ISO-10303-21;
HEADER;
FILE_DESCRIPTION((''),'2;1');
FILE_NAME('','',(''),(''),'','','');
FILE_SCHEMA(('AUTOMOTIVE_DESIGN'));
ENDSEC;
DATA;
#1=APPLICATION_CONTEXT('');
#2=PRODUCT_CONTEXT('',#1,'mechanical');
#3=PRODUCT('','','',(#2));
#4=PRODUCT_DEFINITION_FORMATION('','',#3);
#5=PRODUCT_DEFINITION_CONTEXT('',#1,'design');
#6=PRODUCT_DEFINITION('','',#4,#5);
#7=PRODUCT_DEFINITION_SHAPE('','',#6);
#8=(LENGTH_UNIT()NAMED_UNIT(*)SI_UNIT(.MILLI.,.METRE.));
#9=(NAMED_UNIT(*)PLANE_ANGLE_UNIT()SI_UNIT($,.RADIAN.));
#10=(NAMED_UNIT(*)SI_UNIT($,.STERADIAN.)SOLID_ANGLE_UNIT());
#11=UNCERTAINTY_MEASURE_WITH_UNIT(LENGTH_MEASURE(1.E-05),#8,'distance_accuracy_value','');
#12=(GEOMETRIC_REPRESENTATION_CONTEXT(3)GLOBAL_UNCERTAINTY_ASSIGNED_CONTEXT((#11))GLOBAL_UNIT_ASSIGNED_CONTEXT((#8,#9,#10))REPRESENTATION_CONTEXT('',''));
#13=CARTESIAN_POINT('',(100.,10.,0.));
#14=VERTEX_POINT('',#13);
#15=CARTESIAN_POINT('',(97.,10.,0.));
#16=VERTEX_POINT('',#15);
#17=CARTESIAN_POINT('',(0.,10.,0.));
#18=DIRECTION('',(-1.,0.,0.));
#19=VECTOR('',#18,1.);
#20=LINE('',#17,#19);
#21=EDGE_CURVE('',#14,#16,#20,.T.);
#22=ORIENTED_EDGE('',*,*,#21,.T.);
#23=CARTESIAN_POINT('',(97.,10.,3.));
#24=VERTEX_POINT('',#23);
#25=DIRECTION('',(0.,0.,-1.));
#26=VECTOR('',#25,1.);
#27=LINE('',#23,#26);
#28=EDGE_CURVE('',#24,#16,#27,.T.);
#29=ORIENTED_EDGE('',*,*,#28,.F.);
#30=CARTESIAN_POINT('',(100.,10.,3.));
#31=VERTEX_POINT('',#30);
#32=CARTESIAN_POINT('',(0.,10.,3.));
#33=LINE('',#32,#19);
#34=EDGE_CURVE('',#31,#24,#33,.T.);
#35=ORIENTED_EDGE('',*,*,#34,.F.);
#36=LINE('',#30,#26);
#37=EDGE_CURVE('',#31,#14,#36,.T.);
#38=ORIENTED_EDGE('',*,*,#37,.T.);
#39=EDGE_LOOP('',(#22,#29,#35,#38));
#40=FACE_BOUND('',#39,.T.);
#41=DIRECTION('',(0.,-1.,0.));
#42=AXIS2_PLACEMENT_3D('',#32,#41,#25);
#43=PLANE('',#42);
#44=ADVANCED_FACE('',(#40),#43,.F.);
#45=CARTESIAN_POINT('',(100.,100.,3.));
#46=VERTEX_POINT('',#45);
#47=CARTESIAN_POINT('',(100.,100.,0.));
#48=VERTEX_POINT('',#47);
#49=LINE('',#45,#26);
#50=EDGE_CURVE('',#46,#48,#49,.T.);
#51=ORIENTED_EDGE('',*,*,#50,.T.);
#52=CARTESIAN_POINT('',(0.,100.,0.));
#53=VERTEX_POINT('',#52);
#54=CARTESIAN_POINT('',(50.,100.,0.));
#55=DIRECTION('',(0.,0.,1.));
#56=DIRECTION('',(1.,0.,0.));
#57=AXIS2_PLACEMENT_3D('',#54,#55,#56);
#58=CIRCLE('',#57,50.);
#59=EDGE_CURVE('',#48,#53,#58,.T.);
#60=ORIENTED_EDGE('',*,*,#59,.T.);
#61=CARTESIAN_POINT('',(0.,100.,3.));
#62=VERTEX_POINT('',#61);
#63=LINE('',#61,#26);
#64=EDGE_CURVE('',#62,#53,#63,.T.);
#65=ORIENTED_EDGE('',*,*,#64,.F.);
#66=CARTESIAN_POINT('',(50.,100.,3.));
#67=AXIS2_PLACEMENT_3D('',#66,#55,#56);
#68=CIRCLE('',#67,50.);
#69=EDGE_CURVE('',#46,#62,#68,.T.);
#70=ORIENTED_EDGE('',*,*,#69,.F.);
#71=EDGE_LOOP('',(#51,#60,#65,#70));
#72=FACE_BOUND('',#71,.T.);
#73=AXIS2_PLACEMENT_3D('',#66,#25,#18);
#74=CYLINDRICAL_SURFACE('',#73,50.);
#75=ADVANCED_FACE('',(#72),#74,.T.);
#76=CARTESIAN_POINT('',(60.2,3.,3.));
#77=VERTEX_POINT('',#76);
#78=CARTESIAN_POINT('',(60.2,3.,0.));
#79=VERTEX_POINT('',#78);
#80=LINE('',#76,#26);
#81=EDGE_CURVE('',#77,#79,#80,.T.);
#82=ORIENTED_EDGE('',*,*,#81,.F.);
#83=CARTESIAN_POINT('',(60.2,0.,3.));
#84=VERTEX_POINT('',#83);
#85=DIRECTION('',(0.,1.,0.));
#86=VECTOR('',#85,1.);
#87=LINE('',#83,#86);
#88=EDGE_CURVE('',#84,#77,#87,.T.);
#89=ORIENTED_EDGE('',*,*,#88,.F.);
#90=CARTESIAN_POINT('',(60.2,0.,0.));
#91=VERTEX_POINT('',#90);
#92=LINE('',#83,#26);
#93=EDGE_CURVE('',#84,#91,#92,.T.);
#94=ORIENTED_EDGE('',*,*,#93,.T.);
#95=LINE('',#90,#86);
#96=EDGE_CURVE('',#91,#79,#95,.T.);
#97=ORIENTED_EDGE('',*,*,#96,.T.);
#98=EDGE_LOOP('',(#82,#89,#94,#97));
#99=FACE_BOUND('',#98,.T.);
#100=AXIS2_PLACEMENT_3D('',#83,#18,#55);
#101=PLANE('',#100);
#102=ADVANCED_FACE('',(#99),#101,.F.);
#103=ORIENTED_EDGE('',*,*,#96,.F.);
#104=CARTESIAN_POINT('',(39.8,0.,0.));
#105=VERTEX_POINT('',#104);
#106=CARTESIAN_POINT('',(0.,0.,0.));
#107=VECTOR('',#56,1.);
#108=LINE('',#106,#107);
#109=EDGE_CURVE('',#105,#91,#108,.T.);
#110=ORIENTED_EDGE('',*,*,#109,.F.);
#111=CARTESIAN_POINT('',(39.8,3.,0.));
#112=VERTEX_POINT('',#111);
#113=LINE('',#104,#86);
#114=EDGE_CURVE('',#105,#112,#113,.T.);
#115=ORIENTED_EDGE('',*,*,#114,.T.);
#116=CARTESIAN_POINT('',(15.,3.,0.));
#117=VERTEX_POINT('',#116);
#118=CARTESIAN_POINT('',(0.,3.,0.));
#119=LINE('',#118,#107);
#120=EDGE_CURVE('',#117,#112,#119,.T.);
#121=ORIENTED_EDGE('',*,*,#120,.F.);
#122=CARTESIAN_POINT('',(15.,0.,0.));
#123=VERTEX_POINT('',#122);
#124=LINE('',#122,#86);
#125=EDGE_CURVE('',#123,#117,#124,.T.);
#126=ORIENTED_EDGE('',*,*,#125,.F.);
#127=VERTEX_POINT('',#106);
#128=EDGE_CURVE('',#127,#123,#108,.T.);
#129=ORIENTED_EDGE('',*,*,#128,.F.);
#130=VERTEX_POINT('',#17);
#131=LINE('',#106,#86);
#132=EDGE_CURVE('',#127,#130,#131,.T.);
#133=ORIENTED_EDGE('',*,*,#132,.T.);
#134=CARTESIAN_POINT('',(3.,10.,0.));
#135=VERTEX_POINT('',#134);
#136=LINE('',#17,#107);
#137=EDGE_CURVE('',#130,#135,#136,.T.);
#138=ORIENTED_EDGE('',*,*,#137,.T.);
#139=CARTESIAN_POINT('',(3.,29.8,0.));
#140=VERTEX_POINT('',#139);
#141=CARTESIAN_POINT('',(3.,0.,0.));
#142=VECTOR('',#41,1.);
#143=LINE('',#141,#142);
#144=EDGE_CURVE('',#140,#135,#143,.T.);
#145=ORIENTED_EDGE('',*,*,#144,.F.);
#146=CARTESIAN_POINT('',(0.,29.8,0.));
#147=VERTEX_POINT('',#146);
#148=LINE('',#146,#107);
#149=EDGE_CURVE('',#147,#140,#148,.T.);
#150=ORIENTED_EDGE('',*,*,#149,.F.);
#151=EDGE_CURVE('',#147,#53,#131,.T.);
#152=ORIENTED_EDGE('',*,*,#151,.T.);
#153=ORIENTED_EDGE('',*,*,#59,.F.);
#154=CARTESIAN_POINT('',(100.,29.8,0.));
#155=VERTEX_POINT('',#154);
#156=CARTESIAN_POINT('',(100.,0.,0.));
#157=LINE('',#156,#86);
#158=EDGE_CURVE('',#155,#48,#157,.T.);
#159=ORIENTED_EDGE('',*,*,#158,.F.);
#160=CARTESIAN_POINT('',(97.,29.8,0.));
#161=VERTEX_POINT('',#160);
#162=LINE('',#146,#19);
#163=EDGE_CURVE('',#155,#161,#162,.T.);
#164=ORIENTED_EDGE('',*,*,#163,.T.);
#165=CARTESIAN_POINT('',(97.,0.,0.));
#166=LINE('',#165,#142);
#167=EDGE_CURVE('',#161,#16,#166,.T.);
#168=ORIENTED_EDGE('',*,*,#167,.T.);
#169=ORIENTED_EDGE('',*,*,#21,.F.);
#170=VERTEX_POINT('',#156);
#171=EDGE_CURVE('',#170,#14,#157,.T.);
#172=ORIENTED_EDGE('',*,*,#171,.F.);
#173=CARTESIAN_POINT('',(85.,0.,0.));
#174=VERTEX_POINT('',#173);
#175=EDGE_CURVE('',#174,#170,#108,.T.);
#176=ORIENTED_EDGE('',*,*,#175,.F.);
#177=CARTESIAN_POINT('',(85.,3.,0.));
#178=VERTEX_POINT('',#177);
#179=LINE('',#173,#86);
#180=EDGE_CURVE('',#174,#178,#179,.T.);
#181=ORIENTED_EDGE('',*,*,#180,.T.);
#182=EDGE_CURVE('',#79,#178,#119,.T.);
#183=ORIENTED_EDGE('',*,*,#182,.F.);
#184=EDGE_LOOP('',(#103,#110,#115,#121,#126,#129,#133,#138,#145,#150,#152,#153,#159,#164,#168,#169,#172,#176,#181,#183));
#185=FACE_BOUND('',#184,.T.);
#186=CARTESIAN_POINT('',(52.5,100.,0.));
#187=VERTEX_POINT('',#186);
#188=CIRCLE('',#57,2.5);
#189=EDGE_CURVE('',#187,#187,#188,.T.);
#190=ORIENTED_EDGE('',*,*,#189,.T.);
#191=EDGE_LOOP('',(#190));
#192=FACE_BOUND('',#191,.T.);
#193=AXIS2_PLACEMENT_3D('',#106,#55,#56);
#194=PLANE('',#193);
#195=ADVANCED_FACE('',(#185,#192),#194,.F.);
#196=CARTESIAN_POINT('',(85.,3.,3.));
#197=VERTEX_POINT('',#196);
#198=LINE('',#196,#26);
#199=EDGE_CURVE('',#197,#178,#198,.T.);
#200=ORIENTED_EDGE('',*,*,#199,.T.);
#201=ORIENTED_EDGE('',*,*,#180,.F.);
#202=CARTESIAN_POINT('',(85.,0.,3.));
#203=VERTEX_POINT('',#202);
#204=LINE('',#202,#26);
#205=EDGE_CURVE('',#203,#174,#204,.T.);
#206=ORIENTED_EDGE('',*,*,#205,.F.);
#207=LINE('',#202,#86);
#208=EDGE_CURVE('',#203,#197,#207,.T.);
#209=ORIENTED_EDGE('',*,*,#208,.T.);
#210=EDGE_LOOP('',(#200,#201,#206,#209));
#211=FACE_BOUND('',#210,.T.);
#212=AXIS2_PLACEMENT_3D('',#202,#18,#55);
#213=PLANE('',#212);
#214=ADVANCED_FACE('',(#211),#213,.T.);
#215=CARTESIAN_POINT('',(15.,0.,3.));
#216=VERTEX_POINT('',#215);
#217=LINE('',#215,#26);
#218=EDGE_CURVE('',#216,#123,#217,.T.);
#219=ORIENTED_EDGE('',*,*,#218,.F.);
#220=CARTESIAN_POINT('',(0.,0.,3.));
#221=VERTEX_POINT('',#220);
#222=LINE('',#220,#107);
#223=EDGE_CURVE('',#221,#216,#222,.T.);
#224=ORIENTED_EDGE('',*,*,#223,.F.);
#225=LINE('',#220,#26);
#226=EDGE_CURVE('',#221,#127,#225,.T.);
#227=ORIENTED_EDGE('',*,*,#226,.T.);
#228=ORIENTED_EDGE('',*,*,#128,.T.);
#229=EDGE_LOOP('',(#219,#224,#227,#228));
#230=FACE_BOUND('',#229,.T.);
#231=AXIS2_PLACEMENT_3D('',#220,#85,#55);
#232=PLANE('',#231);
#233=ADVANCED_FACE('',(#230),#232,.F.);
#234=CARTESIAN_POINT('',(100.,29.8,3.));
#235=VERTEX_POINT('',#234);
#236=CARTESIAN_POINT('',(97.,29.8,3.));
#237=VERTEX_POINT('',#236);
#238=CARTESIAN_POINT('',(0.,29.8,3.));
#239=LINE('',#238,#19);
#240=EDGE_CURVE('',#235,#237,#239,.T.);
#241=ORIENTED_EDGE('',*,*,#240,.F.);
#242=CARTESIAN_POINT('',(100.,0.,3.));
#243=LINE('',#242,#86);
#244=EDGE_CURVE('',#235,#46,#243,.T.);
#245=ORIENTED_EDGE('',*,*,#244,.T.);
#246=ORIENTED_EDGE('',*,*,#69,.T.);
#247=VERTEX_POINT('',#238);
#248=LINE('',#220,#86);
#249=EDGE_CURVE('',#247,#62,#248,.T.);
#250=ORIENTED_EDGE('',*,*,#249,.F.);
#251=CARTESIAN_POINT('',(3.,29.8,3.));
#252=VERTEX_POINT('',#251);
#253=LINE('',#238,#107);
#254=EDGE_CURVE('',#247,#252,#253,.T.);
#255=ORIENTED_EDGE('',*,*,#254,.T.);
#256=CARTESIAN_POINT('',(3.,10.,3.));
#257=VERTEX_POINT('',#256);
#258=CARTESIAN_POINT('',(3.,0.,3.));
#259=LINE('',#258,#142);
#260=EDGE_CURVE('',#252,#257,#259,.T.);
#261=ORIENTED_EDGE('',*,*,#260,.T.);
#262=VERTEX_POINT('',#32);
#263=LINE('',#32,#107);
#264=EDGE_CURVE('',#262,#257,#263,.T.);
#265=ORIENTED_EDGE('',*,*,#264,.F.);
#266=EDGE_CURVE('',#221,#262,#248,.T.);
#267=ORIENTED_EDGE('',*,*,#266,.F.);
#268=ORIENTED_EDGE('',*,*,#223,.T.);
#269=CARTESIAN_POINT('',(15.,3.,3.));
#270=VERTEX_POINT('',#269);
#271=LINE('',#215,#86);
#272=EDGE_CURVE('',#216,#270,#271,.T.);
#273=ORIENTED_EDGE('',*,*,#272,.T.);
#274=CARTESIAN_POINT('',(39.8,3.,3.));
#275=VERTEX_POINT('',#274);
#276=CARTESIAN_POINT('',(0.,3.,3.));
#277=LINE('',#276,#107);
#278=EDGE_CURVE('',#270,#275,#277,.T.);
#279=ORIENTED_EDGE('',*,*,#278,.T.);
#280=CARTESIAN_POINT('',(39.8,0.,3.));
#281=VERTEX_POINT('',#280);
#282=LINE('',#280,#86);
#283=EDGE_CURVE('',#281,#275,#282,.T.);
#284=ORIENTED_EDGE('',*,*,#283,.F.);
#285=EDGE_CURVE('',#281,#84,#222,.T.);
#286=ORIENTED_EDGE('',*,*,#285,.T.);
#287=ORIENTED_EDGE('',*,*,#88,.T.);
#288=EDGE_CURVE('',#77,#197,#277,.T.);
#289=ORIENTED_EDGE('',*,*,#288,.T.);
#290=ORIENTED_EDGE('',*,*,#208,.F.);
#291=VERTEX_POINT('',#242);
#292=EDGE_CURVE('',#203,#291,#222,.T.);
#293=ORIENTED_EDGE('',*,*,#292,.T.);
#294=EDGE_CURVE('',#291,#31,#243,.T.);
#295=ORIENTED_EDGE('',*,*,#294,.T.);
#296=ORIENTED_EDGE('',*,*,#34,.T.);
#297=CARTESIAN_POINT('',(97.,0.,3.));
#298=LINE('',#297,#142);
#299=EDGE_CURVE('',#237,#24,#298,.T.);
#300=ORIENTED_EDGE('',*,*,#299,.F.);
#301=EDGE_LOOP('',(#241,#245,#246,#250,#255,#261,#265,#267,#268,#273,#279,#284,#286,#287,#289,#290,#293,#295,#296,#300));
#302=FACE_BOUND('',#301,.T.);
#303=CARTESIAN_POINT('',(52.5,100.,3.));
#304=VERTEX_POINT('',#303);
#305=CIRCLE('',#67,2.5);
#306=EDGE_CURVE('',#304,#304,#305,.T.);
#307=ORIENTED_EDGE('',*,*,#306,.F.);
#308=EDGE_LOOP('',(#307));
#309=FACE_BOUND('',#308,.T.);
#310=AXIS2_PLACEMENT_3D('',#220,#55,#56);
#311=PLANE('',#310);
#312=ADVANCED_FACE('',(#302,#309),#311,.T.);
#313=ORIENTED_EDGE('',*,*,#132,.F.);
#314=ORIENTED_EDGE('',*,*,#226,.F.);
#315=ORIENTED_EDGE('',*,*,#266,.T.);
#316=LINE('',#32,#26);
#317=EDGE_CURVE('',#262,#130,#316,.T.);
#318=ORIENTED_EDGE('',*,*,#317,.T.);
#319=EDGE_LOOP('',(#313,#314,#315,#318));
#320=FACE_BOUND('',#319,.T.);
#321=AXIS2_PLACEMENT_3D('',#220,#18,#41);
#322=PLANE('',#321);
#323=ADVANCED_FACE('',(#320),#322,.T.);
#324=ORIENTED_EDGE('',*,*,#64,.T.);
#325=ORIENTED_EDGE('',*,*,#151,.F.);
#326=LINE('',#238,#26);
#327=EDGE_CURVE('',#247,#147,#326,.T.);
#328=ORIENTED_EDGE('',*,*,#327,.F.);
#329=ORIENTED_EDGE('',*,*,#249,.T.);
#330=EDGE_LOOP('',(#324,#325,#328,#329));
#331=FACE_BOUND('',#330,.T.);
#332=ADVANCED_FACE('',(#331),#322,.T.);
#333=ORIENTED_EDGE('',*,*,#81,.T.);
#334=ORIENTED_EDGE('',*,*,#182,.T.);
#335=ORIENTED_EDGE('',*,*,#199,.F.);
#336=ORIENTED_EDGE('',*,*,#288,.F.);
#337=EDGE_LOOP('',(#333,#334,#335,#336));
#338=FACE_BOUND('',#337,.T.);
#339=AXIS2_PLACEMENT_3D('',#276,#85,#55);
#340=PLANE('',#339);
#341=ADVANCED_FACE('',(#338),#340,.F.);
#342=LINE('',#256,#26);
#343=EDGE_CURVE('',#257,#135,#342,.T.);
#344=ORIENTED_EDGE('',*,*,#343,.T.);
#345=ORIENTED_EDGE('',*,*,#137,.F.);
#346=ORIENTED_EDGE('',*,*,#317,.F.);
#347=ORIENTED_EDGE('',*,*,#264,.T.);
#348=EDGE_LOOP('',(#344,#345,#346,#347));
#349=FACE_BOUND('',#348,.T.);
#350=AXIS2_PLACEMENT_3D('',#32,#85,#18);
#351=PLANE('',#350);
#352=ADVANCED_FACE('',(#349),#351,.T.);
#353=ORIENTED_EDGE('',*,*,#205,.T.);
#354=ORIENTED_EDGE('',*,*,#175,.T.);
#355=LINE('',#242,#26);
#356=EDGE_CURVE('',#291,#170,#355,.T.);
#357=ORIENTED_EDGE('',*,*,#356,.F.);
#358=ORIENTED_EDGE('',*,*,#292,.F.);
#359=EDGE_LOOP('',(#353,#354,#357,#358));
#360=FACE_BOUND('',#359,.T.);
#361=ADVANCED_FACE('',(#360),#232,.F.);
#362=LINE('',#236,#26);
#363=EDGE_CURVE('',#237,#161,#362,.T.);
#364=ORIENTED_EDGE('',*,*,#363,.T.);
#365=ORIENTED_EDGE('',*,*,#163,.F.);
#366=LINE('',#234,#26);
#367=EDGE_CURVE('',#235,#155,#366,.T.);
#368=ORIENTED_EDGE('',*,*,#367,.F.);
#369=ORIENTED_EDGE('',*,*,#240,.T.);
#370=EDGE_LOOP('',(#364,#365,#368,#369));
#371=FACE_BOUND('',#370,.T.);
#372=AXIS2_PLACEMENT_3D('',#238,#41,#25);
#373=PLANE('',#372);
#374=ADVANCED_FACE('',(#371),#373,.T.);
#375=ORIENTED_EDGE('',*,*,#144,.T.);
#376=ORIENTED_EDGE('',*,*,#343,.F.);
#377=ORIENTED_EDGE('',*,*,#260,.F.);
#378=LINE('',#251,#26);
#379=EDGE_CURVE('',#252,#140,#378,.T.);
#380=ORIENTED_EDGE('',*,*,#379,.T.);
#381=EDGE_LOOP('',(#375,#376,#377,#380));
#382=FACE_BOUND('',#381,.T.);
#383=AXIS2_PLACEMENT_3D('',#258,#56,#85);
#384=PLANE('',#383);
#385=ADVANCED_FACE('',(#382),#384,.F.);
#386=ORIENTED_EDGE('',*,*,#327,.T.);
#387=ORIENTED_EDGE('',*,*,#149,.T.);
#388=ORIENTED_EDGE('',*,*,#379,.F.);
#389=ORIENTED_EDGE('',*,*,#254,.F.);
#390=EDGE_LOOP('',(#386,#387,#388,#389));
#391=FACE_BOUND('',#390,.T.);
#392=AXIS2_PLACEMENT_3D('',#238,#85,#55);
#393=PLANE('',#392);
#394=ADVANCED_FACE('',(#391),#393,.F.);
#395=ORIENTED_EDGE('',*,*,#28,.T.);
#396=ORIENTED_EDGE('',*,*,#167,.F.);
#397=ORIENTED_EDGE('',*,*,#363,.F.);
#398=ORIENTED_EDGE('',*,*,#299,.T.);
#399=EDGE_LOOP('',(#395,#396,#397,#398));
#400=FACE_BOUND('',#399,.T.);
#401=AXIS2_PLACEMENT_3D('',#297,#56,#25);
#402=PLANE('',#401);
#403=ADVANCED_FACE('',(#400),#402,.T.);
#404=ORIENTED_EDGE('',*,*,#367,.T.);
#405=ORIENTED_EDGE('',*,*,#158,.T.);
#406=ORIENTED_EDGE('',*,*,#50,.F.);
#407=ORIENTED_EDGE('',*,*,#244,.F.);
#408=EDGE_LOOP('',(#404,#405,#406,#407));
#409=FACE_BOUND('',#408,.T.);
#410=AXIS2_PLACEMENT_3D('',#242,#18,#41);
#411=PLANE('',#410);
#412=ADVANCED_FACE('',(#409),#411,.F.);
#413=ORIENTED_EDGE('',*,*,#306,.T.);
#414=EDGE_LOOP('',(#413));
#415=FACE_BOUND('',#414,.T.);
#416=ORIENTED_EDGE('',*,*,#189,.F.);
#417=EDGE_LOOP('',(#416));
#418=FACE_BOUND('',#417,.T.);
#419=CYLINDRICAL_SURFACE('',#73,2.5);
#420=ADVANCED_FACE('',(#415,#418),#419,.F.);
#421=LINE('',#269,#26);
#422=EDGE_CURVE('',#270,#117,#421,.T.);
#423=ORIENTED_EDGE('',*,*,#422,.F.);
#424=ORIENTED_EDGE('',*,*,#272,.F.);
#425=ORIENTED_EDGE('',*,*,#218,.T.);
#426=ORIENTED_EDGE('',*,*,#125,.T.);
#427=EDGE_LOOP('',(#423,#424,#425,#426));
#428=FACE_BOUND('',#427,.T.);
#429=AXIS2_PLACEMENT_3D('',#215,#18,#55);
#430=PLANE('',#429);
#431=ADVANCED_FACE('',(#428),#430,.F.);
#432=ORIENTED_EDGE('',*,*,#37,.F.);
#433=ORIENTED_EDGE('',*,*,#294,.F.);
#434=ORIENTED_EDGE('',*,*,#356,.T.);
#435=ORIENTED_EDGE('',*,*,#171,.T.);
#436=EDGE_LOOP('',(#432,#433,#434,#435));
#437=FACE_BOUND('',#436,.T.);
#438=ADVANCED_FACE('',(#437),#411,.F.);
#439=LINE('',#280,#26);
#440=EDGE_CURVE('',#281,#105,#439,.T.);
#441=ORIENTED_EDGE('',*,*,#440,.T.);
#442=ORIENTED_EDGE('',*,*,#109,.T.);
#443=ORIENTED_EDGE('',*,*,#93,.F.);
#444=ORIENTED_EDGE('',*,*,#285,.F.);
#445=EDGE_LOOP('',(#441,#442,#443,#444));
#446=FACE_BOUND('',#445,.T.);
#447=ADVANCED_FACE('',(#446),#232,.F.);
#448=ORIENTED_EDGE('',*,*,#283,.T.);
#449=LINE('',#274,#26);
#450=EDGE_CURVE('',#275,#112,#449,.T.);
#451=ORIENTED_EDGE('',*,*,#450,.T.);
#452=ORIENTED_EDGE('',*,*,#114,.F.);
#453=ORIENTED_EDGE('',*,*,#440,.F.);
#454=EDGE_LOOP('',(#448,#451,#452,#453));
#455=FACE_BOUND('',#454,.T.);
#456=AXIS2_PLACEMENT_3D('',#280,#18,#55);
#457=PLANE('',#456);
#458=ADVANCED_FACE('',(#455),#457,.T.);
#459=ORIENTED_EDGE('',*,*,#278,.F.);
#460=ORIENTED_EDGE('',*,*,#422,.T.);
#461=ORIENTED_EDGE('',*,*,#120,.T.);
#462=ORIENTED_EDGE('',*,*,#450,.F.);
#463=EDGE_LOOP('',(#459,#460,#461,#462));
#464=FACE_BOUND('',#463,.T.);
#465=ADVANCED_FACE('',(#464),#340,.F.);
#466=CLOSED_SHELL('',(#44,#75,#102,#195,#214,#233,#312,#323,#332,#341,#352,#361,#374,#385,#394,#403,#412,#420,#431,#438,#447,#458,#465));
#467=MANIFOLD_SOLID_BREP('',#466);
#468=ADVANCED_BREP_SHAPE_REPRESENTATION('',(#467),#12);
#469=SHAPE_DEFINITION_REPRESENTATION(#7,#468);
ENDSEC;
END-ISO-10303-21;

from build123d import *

# Parameters (mm, degrees)
SKETCH1_R           = 2.5
BOSS_EXTRUDE1_DEPTH = 3


with BuildPart() as part:
    # Sketch1 → Boss-Extrude1 (new body)
    with BuildSketch(Plane.XY):
        with BuildLine():
            Line((0, 10), (0, 0))
            Line((0, 0), (15, 0))
            Line((15, 0), (15, 3))
            Line((15, 3), (39.8, 3))
            Line((39.8, 3), (39.8, 0))
            Line((39.8, 0), (60.2, 0))
            Line((60.2, 0), (60.2, 3))
            Line((60.2, 3), (85, 3))
            Line((85, 3), (85, 0))
            Line((85, 0), (100, 0))
            Line((100, 0), (100, 10))
            Line((100, 10), (97, 10))
            Line((97, 10), (97, 29.8))
            Line((97, 29.8), (100, 29.8))
            Line((100, 29.8), (100, 100))
            ThreePointArc((100, 100), (50, 150), (0, 100))
            Line((0, 100), (0, 29.8))
            Line((0, 29.8), (3, 29.8))
            Line((3, 29.8), (3, 10))
            Line((3, 10), (0, 10))
        make_face()
        with Locations((50, 100)):
            Circle(SKETCH1_R, mode=Mode.SUBTRACT)
    extrude(amount=BOSS_EXTRUDE1_DEPTH)


solid = part.part
